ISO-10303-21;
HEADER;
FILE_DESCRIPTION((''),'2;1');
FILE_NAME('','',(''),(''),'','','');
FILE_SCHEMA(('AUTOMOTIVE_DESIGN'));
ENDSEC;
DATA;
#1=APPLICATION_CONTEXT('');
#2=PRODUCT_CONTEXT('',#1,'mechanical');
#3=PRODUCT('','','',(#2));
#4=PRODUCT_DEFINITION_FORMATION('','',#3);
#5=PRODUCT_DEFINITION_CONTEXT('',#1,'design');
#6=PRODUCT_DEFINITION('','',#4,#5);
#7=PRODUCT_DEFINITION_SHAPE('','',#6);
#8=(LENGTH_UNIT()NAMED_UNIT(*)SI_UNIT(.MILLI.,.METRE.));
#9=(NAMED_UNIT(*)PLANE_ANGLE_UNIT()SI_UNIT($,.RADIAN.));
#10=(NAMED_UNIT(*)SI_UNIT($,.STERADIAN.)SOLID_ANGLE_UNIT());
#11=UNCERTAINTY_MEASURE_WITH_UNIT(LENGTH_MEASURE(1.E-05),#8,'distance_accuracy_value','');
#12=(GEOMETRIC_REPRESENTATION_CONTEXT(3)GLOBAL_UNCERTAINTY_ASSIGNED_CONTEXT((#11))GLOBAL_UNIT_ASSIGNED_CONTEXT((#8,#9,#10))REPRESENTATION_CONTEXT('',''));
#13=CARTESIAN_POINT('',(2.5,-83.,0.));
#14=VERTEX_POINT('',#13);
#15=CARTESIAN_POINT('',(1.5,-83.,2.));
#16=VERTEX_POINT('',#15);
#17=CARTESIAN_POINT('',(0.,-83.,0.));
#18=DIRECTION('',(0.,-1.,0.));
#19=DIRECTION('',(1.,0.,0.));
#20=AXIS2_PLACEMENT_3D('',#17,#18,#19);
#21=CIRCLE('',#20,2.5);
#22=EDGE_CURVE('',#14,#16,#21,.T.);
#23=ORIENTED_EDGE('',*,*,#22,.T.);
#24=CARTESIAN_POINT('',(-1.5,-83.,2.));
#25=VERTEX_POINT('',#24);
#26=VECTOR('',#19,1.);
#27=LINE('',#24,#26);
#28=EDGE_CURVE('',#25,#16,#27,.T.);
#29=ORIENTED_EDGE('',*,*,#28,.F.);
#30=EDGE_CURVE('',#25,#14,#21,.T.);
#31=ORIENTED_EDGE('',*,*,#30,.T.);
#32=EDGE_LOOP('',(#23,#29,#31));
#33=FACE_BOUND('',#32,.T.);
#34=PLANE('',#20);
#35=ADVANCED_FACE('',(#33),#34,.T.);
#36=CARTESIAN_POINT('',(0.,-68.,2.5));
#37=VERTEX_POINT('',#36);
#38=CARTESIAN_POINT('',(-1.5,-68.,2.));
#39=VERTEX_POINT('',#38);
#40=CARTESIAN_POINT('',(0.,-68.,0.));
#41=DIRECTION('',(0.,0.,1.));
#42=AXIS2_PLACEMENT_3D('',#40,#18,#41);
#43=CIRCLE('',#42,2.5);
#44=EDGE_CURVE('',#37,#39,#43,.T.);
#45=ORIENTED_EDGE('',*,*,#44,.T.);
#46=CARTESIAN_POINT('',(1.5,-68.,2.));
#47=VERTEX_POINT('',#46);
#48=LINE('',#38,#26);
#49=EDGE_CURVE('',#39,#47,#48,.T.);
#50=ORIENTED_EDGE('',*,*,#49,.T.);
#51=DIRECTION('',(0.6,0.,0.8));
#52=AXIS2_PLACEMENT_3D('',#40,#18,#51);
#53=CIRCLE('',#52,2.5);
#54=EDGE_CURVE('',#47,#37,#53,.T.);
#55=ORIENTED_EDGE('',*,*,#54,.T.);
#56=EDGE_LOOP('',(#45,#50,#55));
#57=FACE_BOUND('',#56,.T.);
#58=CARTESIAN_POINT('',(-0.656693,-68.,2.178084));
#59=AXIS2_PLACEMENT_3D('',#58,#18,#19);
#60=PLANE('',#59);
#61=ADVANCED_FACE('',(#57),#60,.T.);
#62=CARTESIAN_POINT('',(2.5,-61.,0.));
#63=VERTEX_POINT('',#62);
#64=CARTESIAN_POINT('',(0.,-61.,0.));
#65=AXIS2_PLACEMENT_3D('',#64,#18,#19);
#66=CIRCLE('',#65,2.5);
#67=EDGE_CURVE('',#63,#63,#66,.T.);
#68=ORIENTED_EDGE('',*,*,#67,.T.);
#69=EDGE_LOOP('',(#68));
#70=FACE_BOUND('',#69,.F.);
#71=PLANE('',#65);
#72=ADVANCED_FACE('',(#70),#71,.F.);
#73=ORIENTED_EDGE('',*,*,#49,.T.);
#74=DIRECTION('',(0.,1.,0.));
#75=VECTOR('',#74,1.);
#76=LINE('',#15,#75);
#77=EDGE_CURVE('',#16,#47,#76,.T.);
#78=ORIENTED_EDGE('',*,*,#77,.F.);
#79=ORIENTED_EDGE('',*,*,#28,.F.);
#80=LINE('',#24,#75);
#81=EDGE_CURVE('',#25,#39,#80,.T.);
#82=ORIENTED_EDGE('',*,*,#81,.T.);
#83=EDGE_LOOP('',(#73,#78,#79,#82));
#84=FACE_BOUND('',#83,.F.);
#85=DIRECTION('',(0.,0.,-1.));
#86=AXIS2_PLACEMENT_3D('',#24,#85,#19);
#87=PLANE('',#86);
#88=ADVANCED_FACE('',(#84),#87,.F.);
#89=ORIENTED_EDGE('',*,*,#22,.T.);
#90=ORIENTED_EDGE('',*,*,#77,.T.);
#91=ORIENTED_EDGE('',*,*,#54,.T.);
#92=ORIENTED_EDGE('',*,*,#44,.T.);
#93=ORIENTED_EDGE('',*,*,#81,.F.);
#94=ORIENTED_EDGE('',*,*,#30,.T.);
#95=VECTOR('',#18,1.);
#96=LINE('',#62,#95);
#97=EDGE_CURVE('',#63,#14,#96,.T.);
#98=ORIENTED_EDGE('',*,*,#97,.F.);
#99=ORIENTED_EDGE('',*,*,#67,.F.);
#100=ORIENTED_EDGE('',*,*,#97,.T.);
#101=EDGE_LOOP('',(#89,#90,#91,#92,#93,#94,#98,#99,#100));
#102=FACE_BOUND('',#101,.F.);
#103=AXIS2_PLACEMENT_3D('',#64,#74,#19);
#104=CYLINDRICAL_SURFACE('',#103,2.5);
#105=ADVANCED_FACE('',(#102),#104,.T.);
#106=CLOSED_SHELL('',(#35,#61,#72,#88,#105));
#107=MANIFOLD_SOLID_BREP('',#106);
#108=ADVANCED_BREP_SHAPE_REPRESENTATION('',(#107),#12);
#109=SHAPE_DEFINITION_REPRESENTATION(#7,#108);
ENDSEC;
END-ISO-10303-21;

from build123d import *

# Parameters (mm, degrees)
F0_W      = 42.3
F0_H      = 42.3
F1_DEPTH  = 59
F2_R      = 11
F3_DEPTH  = 2
F4_R      = 2.5
F5_DEPTH  = 22
F7_DEPTH  = 15
F9_DEPTH  = 4.5
F10_DEPTH = 61


with BuildPart() as f1:
    # F0 (on Front) → F1 (new body)
    with BuildSketch(Plane.XZ):
        Rectangle(F0_W, F0_H)
    extrude(amount=F1_DEPTH)

    # F2 (on face) → F3 (join)
    with BuildSketch(Plane.XZ.offset(59)):
        Circle(F2_R)
    extrude(amount=F3_DEPTH)

    # F4 (on face) → F5 (join)
    with BuildSketch(Plane.XZ.offset(61)):
        Circle(F4_R)
    extrude(amount=F5_DEPTH)

    # F6 (on face) → F7 (cut)
    with BuildSketch(Plane.XZ.offset(83)):
        with BuildLine():
            ThreePointArc((0, 2.5), (-0.790569415, 2.3717082451), (-1.5, 2))
            Line((-1.5, 2), (0, 2))
            Line((0, 2), (0, 2.5))
        make_face()
        with BuildLine():
            Line((0, 2.5), (0, 2))
            Line((0, 2), (1.5, 2))
            ThreePointArc((1.5, 2), (0.790569415, 2.3717082451), (0, 2.5))
        make_face()
    extrude(amount=-F7_DEPTH, mode=Mode.SUBTRACT)

    # F8 (on face) → F9 (cut)
    with BuildSketch(Plane.XZ.offset(59)):
        with BuildLine():
            ThreePointArc((16.75, 15.5), (15.5, 16.75), (14.25, 15.5))
            Line((14.25, 15.5), (15.5, 15.5))
            Line((15.5, 15.5), (15.5, 14.25))
            ThreePointArc((15.5, 14.25), (16.3838834765, 14.6161165235), (16.75, 15.5))
        make_face()
        with BuildLine():
            Line((15.5, 15.5), (14.25, 15.5))
            ThreePointArc((14.25, 15.5), (14.6161165235, 14.6161165235), (15.5, 14.25))
            Line((15.5, 14.25), (15.5, 15.5))
        make_face()
        with BuildLine():
            Line((-15.5, 14.25), (-15.5, 15.5))
            Line((-15.5, 15.5), (-14.25, 15.5))
            ThreePointArc((-14.25, 15.5), (-16.3838834765, 16.3838834765), (-15.5, 14.25))
        make_face()
        with BuildLine():
            Line((-14.25, 15.5), (-15.5, 15.5))
            Line((-15.5, 15.5), (-15.5, 14.25))
            ThreePointArc((-15.5, 14.25), (-14.6161165235, 14.6161165235), (-14.25, 15.5))
        make_face()
        with BuildLine():
            Line((-15.5, -15.5), (-15.5, -14.25))
            ThreePointArc((-15.5, -14.25), (-16.3838834765, -16.3838834765), (-14.25, -15.5))
            Line((-14.25, -15.5), (-15.5, -15.5))
        make_face()
        with BuildLine():
            ThreePointArc((-14.25, -15.5), (-14.6161165235, -14.6161165235), (-15.5, -14.25))
            Line((-15.5, -14.25), (-15.5, -15.5))
            Line((-15.5, -15.5), (-14.25, -15.5))
        make_face()
        with BuildLine():
            Line((15.5, -15.5), (15.5, -14.25))
            ThreePointArc((15.5, -14.25), (14.6161165235, -14.6161165235), (14.25, -15.5))
            Line((14.25, -15.5), (15.5, -15.5))
        make_face()
        with BuildLine():
            ThreePointArc((16.75, -15.5), (16.3838834765, -14.6161165235), (15.5, -14.25))
            Line((15.5, -14.25), (15.5, -15.5))
            Line((15.5, -15.5), (14.25, -15.5))
            ThreePointArc((14.25, -15.5), (15.5, -16.75), (16.75, -15.5))
        make_face()
    extrude(amount=-F9_DEPTH, mode=Mode.SUBTRACT)

    # F10 (cut): a face of the model
    f10_faces = [f1.faces().sort_by_distance(p)[0] for p in [
        (0, 0, 0),
    ]]
    extrude(f10_faces, amount=-F10_DEPTH, mode=Mode.SUBTRACT)


solid = f1.part
